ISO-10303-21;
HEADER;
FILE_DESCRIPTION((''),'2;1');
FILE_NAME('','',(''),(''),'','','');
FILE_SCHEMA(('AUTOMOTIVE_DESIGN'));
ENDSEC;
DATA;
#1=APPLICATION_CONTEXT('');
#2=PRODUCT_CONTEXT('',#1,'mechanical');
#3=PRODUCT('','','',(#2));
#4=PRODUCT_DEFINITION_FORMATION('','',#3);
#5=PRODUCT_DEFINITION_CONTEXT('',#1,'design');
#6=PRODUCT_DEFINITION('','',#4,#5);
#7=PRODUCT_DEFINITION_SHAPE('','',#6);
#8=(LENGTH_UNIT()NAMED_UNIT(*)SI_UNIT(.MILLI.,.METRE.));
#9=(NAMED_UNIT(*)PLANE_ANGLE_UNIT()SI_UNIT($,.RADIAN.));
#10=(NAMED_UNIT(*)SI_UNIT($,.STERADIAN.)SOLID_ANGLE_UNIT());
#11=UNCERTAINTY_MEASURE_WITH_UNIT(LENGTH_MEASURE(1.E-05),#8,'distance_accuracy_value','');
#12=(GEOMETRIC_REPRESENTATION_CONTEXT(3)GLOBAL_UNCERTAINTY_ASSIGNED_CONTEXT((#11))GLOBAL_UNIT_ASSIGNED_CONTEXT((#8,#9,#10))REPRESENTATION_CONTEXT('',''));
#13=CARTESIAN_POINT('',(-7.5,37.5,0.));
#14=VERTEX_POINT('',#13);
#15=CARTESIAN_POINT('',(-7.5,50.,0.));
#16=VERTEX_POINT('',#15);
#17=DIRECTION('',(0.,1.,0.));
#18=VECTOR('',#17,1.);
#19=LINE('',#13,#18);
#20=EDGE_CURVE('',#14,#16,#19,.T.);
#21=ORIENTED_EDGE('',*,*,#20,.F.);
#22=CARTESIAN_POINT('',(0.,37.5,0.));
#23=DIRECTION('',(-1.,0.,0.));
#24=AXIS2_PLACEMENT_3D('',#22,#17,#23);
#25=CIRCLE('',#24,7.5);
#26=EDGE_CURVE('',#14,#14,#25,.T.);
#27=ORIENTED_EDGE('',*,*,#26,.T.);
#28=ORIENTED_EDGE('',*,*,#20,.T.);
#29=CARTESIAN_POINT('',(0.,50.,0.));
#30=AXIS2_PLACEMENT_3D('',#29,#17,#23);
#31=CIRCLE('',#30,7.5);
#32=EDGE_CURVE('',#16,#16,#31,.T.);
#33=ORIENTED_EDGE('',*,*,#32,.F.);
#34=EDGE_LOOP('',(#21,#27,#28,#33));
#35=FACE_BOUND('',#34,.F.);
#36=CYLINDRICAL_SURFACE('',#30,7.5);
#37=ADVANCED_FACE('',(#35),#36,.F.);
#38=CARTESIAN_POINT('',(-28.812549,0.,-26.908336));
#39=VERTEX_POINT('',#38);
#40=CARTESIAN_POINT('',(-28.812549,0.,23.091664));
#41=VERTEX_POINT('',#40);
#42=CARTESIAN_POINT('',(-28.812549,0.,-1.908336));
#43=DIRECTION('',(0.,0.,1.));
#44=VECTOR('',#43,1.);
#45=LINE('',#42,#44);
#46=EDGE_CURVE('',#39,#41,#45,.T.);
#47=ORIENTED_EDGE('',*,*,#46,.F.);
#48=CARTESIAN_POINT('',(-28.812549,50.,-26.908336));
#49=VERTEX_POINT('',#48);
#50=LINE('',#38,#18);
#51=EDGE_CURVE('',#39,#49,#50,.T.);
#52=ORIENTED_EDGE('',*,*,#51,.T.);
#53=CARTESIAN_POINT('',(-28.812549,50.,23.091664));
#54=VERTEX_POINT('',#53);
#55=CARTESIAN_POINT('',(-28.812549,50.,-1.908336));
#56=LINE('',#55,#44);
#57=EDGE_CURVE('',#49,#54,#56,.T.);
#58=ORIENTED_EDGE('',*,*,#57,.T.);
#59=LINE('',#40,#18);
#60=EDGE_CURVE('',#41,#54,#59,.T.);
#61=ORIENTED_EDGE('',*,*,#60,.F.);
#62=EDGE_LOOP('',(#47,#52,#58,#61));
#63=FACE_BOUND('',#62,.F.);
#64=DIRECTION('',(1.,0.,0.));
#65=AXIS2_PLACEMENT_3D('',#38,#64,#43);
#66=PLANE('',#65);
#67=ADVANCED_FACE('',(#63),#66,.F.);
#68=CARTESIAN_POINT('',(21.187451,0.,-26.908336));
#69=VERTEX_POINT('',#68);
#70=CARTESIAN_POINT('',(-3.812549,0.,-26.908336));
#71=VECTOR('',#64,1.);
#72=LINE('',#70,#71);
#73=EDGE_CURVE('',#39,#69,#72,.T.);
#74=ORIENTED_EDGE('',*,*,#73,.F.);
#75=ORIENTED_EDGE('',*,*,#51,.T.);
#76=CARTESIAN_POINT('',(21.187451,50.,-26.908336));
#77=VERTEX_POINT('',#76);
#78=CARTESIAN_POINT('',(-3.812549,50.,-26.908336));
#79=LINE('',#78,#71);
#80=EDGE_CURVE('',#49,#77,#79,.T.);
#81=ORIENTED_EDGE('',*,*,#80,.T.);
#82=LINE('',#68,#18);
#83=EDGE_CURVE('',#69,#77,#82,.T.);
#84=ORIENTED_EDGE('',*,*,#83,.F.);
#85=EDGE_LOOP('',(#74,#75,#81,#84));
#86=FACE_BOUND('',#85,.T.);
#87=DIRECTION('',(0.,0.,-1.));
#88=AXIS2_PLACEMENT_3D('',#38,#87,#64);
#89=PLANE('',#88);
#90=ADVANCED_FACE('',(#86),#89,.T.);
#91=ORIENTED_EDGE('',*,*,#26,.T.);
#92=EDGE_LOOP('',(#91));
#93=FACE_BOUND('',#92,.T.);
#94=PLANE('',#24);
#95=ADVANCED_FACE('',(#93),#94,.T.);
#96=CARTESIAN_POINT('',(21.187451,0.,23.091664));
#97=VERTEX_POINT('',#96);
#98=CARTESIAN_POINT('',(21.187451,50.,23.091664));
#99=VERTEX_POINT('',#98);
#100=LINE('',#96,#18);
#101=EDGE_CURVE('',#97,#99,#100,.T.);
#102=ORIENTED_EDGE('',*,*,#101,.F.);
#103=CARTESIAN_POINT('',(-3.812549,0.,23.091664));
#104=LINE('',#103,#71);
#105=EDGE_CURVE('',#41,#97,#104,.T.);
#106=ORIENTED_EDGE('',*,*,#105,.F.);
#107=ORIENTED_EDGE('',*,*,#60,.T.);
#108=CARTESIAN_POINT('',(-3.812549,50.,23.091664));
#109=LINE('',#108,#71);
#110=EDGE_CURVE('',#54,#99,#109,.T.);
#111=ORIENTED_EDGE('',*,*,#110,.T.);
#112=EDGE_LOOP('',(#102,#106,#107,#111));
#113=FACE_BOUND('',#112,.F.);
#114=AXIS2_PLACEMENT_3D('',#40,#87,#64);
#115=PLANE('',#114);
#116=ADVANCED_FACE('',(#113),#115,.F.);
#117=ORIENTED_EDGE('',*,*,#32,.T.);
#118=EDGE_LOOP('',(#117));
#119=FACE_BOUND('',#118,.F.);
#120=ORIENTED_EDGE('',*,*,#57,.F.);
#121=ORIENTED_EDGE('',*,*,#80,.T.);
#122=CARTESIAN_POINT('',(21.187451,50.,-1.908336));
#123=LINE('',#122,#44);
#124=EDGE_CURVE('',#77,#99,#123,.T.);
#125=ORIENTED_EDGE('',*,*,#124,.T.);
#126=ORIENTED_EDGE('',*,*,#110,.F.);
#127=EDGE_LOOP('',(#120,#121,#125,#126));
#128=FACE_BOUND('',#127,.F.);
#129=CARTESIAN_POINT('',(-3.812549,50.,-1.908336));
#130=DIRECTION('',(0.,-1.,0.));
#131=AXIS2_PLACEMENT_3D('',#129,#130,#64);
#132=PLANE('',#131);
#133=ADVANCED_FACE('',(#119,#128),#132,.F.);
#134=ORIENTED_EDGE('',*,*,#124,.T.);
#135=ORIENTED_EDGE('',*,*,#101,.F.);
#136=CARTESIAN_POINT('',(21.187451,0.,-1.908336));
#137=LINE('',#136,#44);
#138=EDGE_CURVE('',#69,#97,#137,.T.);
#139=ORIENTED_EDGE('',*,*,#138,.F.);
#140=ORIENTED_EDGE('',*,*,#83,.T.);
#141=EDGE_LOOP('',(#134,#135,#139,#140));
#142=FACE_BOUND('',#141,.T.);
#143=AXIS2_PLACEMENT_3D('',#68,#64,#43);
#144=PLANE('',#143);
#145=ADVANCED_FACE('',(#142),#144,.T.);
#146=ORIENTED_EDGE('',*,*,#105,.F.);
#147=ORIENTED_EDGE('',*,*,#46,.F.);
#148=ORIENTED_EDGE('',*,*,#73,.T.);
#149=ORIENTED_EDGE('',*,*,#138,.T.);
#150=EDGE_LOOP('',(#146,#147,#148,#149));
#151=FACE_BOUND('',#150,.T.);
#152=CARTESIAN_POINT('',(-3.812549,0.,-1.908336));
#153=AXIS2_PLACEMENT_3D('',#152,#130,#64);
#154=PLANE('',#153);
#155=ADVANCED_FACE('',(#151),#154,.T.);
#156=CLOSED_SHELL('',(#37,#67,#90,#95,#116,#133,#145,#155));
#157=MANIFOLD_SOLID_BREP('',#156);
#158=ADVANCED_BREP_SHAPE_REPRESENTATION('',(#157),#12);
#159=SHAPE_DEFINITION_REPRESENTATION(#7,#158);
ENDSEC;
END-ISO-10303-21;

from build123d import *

# Parameters (mm, degrees)
F0_W     = 50
F0_H     = 50
F1_DEPTH = 50
F2_R     = 7.5
F3_DEPTH = 12.5


with BuildPart() as f1:
    # F0 (on Front) → F1 (new body)
    with BuildSketch(Plane.XZ):
        with Locations((-3.8125486942, -1.9083358347)):
            Rectangle(F0_W, F0_H)
    extrude(amount=-F1_DEPTH)

    # F2 (on face) → F3 (cut, symmetric)
    with BuildSketch(Plane(origin=(0, 50, 0), x_dir=(-1, 0, 0), z_dir=(0, 1, 0))):
        Circle(F2_R)
    extrude(amount=F3_DEPTH, both=True, mode=Mode.SUBTRACT)


solid = f1.part
